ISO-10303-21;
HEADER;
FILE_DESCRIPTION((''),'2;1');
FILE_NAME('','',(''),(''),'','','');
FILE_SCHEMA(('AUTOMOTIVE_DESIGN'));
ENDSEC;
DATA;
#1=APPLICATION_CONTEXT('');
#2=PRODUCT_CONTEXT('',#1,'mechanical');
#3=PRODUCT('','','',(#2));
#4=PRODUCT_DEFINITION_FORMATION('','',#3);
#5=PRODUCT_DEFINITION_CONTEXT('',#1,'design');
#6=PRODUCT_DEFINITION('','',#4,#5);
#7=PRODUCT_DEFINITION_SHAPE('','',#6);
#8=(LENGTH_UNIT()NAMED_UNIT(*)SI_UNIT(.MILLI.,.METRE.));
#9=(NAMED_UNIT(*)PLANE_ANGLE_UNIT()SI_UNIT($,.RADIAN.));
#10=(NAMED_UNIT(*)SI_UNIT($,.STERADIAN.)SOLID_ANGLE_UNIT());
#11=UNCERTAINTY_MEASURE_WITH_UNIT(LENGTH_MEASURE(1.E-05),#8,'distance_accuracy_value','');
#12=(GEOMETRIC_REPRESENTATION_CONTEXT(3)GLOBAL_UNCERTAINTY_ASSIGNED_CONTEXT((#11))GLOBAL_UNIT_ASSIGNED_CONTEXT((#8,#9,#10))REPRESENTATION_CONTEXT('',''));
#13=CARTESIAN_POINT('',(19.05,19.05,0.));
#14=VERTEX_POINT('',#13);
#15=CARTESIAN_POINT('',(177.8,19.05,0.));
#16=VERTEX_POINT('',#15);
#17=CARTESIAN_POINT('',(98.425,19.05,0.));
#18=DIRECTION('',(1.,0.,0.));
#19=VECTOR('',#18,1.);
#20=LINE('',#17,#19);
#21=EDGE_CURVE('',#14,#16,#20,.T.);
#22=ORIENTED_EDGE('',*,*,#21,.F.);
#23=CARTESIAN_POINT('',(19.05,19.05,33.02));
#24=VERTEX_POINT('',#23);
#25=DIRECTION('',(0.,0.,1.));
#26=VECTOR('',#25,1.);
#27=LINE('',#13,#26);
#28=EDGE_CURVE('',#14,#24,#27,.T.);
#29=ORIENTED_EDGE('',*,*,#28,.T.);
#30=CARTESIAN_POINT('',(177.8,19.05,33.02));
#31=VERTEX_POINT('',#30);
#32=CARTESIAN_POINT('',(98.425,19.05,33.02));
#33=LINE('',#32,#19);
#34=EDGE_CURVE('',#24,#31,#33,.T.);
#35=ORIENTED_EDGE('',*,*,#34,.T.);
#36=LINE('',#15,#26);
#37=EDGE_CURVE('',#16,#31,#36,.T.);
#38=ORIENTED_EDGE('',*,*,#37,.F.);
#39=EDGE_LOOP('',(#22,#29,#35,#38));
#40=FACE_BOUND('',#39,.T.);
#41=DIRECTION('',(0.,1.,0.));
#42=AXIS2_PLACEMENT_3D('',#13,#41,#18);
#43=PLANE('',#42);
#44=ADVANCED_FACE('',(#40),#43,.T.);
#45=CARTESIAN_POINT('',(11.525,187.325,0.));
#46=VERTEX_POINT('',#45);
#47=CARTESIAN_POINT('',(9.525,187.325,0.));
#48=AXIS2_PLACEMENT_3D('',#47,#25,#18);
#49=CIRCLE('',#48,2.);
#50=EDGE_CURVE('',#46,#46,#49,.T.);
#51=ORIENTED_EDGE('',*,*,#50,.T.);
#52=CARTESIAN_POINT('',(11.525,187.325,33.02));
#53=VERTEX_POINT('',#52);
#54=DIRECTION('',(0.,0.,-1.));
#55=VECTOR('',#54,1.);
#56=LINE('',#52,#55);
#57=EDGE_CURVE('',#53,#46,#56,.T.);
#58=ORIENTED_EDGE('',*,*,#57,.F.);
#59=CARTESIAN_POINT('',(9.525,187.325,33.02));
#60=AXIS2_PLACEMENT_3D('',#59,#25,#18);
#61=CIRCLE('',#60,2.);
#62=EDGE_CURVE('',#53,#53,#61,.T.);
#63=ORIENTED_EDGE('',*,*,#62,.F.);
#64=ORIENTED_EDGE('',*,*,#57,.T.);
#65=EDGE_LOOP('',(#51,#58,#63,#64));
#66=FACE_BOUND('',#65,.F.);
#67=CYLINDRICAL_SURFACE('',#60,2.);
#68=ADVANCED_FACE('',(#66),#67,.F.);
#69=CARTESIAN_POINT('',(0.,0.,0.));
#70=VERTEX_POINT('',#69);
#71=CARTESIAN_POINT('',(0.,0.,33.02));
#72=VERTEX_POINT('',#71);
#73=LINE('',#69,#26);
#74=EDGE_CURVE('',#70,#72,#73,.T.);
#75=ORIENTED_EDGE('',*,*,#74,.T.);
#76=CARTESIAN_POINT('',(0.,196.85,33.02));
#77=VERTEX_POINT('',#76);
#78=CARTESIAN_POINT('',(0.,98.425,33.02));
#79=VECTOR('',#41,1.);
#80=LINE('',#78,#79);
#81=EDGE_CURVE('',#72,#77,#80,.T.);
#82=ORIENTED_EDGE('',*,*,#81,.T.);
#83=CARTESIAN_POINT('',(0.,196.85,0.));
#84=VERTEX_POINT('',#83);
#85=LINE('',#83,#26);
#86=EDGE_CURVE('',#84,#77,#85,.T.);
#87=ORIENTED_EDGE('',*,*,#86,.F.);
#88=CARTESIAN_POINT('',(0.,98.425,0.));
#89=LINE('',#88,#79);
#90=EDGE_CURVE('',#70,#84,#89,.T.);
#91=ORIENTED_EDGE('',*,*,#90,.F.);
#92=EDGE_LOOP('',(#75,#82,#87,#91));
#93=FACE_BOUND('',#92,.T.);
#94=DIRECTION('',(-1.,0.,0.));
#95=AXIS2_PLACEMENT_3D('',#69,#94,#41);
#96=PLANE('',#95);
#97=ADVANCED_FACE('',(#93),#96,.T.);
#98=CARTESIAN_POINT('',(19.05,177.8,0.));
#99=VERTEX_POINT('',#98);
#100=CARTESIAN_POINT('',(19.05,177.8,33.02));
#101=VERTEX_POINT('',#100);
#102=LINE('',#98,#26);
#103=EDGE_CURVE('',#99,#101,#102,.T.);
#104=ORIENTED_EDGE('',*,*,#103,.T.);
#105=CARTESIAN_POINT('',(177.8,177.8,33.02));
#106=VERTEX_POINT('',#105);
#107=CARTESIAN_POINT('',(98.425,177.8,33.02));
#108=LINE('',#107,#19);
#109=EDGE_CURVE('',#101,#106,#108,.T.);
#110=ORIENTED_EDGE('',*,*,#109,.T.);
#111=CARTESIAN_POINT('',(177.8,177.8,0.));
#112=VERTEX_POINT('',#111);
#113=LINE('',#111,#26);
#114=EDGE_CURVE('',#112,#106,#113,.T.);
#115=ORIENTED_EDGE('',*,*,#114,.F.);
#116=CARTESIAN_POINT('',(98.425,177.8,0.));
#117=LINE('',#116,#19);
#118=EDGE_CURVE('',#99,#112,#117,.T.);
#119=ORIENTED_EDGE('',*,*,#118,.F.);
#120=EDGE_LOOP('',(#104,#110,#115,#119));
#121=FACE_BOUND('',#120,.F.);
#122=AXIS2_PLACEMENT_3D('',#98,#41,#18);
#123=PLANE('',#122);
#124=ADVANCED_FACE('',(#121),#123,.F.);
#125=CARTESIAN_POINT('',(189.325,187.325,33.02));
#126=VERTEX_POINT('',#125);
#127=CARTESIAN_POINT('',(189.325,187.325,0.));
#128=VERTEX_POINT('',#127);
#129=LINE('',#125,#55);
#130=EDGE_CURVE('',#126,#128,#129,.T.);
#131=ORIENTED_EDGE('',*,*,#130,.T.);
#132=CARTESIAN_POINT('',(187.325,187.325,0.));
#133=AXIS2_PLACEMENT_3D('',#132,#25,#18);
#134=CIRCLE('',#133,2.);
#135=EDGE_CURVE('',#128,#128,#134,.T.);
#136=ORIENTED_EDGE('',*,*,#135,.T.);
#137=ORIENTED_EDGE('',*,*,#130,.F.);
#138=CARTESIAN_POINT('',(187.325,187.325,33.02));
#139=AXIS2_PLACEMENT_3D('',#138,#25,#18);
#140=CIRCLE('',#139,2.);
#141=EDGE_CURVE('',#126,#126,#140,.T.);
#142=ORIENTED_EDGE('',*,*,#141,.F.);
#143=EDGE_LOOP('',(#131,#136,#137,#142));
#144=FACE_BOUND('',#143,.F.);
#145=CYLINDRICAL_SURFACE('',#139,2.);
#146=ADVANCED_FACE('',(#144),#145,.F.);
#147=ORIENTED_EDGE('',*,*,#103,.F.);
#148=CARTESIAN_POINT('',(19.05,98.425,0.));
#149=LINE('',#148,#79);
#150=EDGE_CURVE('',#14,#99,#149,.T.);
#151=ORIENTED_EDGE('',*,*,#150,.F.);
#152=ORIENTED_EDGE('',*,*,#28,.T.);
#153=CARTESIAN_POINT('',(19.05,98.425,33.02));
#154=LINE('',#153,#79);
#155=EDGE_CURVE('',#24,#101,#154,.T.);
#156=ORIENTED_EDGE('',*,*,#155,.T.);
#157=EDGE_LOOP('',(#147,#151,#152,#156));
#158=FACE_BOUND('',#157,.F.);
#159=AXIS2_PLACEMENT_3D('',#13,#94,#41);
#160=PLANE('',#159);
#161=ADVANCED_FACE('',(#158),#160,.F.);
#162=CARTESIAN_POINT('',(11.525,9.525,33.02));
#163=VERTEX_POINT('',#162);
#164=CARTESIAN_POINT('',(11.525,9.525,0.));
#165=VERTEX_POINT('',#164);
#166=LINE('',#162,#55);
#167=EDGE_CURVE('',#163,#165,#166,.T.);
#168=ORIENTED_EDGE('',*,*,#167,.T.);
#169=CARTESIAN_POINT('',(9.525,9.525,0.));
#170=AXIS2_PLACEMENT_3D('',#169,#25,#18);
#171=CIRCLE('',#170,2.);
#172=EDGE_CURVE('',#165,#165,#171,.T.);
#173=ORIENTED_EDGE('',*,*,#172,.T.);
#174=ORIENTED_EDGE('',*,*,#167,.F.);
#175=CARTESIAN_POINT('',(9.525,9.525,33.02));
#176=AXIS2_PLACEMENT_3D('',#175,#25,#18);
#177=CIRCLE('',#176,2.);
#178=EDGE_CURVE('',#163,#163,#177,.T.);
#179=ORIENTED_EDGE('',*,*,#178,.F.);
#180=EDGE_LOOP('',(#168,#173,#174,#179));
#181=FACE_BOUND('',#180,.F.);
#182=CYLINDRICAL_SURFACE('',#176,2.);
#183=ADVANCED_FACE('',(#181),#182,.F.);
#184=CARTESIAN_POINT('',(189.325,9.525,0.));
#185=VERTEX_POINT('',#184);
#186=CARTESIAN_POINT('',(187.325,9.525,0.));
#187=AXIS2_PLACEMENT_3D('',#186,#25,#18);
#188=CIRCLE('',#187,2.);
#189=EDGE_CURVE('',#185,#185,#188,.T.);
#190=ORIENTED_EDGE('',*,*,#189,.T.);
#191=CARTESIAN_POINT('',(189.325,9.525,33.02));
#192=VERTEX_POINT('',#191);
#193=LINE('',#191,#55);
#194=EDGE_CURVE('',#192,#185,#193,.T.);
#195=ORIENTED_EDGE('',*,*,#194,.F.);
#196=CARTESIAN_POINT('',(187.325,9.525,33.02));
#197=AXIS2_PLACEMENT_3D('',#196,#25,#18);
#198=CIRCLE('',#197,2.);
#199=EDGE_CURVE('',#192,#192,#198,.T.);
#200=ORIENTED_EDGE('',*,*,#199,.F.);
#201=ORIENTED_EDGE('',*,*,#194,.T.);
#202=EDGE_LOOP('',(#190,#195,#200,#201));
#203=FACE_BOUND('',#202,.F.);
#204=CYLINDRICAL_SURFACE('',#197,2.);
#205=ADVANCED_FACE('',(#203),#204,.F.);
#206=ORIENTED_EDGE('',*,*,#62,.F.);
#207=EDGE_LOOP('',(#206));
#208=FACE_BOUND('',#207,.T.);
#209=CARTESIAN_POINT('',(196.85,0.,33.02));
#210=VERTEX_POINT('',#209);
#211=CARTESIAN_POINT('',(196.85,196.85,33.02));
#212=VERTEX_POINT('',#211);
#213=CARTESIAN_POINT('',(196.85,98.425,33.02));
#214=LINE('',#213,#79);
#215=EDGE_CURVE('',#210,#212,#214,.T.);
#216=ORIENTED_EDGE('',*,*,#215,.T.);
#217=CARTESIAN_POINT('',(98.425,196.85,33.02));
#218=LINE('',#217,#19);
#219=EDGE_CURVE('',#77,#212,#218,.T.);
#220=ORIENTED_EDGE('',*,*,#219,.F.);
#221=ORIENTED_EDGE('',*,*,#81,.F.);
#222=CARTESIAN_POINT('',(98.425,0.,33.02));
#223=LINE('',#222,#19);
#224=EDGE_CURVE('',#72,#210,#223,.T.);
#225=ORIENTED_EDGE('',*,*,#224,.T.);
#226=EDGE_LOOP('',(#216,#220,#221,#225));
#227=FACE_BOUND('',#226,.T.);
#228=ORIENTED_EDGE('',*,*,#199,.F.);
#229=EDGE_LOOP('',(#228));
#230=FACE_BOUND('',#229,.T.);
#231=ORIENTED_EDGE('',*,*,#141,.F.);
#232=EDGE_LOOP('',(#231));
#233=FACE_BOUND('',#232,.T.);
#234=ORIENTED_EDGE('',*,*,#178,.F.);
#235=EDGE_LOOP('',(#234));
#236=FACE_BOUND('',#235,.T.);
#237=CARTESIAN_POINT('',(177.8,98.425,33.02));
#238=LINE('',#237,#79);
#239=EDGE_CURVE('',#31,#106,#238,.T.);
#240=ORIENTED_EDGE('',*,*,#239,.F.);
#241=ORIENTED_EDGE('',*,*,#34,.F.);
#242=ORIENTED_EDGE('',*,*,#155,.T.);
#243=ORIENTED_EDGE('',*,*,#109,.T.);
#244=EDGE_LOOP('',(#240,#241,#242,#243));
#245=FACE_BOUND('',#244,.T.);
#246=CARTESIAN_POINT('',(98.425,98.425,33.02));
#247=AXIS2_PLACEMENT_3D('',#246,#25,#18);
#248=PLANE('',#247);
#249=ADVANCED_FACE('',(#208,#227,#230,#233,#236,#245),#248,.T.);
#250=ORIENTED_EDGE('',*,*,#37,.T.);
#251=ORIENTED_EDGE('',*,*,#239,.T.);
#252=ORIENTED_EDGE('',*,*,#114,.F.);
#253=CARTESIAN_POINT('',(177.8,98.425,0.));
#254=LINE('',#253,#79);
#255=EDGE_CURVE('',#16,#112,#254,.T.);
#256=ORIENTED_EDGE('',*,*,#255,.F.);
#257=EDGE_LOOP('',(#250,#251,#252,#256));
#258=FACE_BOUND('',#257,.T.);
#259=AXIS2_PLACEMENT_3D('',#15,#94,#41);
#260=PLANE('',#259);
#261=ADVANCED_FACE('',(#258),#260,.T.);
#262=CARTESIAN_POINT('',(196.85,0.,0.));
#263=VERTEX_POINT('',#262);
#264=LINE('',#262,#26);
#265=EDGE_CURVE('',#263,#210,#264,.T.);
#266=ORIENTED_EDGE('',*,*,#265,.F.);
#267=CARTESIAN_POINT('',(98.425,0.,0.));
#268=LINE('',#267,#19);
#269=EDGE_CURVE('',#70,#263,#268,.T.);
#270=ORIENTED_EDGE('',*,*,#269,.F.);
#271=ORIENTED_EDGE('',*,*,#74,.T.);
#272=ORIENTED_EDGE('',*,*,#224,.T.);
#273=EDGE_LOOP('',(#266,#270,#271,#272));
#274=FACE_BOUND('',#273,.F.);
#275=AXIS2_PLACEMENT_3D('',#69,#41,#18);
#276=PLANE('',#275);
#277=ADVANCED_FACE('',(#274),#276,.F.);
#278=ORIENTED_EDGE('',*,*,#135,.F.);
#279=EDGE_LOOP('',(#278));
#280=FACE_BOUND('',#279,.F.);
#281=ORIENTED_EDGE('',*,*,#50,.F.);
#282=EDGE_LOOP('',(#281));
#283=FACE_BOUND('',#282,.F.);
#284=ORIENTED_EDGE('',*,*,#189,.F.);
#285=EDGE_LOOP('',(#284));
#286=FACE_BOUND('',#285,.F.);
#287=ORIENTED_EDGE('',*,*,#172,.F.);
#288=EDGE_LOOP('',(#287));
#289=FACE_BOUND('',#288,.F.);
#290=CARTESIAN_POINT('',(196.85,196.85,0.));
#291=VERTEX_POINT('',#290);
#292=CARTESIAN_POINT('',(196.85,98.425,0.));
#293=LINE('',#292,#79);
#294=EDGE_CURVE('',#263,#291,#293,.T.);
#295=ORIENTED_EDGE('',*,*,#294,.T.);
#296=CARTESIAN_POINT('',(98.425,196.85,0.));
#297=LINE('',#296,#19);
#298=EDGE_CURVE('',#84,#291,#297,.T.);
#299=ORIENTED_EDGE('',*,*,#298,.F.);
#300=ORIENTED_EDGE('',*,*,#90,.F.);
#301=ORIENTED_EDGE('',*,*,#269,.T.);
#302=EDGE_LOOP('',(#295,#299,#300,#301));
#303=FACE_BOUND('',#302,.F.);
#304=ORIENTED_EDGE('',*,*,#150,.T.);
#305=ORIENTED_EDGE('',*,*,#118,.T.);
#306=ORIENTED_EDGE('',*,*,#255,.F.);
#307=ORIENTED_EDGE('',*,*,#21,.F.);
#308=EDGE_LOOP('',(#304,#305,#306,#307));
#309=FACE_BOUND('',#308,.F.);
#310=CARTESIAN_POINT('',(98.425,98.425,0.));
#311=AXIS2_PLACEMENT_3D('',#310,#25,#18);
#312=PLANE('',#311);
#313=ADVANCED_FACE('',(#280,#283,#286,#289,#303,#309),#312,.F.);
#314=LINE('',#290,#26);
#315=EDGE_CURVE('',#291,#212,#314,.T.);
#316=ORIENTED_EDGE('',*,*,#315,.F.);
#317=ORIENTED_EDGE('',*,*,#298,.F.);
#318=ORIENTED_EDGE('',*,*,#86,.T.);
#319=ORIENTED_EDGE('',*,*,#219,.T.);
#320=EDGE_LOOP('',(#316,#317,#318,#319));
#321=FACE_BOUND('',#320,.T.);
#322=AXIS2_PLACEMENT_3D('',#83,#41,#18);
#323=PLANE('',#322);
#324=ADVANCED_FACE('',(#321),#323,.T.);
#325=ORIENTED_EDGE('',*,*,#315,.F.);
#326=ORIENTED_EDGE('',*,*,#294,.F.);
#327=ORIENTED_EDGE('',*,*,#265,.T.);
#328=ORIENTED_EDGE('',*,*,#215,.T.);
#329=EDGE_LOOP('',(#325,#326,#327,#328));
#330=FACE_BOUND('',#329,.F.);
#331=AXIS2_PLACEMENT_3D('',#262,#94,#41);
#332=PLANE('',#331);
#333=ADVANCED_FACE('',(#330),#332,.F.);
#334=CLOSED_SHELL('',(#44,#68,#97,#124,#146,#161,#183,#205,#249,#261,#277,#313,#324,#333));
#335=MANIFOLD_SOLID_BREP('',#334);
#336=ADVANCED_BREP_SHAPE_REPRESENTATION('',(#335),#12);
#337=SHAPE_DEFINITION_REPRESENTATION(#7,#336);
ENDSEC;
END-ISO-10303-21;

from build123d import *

# Parameters (mm, degrees)
SKETCH001_R      = 2
EXTRUDE001_DEPTH = 40
SKETCH_W         = 196.85
SKETCH_H         = 196.85
SKETCH_W_2       = 158.75
SKETCH_H_2       = 158.75
EXTRUDE_DEPTH    = 33.02


with BuildPart() as extrude001:
    # Sketch001 (on Face10 of Extrude) → Extrude001 (new body)
    with BuildSketch(Plane.XY.offset(33.02)):
        with Locations((9.525, 187.325)):
            Circle(SKETCH001_R)
        with Locations((187.325, 187.325)):
            Circle(SKETCH001_R)
        with Locations((187.325, 9.525)):
            Circle(SKETCH001_R)
        with Locations((9.525, 9.525)):
            Circle(SKETCH001_R)
    extrude(amount=-EXTRUDE001_DEPTH)


with BuildPart() as wall:
    # Sketch → Extrude (new body)
    with BuildSketch(Plane.XY):
        with Locations((98.425, 98.425)):
            Rectangle(SKETCH_W, SKETCH_H)
        with Locations((98.425, 98.425)):
            Rectangle(SKETCH_W_2, SKETCH_H_2, mode=Mode.SUBTRACT)
    extrude(amount=EXTRUDE_DEPTH)

    # Cut: cut Extrude001
    add(extrude001.part, mode=Mode.SUBTRACT)


solid = wall.part
